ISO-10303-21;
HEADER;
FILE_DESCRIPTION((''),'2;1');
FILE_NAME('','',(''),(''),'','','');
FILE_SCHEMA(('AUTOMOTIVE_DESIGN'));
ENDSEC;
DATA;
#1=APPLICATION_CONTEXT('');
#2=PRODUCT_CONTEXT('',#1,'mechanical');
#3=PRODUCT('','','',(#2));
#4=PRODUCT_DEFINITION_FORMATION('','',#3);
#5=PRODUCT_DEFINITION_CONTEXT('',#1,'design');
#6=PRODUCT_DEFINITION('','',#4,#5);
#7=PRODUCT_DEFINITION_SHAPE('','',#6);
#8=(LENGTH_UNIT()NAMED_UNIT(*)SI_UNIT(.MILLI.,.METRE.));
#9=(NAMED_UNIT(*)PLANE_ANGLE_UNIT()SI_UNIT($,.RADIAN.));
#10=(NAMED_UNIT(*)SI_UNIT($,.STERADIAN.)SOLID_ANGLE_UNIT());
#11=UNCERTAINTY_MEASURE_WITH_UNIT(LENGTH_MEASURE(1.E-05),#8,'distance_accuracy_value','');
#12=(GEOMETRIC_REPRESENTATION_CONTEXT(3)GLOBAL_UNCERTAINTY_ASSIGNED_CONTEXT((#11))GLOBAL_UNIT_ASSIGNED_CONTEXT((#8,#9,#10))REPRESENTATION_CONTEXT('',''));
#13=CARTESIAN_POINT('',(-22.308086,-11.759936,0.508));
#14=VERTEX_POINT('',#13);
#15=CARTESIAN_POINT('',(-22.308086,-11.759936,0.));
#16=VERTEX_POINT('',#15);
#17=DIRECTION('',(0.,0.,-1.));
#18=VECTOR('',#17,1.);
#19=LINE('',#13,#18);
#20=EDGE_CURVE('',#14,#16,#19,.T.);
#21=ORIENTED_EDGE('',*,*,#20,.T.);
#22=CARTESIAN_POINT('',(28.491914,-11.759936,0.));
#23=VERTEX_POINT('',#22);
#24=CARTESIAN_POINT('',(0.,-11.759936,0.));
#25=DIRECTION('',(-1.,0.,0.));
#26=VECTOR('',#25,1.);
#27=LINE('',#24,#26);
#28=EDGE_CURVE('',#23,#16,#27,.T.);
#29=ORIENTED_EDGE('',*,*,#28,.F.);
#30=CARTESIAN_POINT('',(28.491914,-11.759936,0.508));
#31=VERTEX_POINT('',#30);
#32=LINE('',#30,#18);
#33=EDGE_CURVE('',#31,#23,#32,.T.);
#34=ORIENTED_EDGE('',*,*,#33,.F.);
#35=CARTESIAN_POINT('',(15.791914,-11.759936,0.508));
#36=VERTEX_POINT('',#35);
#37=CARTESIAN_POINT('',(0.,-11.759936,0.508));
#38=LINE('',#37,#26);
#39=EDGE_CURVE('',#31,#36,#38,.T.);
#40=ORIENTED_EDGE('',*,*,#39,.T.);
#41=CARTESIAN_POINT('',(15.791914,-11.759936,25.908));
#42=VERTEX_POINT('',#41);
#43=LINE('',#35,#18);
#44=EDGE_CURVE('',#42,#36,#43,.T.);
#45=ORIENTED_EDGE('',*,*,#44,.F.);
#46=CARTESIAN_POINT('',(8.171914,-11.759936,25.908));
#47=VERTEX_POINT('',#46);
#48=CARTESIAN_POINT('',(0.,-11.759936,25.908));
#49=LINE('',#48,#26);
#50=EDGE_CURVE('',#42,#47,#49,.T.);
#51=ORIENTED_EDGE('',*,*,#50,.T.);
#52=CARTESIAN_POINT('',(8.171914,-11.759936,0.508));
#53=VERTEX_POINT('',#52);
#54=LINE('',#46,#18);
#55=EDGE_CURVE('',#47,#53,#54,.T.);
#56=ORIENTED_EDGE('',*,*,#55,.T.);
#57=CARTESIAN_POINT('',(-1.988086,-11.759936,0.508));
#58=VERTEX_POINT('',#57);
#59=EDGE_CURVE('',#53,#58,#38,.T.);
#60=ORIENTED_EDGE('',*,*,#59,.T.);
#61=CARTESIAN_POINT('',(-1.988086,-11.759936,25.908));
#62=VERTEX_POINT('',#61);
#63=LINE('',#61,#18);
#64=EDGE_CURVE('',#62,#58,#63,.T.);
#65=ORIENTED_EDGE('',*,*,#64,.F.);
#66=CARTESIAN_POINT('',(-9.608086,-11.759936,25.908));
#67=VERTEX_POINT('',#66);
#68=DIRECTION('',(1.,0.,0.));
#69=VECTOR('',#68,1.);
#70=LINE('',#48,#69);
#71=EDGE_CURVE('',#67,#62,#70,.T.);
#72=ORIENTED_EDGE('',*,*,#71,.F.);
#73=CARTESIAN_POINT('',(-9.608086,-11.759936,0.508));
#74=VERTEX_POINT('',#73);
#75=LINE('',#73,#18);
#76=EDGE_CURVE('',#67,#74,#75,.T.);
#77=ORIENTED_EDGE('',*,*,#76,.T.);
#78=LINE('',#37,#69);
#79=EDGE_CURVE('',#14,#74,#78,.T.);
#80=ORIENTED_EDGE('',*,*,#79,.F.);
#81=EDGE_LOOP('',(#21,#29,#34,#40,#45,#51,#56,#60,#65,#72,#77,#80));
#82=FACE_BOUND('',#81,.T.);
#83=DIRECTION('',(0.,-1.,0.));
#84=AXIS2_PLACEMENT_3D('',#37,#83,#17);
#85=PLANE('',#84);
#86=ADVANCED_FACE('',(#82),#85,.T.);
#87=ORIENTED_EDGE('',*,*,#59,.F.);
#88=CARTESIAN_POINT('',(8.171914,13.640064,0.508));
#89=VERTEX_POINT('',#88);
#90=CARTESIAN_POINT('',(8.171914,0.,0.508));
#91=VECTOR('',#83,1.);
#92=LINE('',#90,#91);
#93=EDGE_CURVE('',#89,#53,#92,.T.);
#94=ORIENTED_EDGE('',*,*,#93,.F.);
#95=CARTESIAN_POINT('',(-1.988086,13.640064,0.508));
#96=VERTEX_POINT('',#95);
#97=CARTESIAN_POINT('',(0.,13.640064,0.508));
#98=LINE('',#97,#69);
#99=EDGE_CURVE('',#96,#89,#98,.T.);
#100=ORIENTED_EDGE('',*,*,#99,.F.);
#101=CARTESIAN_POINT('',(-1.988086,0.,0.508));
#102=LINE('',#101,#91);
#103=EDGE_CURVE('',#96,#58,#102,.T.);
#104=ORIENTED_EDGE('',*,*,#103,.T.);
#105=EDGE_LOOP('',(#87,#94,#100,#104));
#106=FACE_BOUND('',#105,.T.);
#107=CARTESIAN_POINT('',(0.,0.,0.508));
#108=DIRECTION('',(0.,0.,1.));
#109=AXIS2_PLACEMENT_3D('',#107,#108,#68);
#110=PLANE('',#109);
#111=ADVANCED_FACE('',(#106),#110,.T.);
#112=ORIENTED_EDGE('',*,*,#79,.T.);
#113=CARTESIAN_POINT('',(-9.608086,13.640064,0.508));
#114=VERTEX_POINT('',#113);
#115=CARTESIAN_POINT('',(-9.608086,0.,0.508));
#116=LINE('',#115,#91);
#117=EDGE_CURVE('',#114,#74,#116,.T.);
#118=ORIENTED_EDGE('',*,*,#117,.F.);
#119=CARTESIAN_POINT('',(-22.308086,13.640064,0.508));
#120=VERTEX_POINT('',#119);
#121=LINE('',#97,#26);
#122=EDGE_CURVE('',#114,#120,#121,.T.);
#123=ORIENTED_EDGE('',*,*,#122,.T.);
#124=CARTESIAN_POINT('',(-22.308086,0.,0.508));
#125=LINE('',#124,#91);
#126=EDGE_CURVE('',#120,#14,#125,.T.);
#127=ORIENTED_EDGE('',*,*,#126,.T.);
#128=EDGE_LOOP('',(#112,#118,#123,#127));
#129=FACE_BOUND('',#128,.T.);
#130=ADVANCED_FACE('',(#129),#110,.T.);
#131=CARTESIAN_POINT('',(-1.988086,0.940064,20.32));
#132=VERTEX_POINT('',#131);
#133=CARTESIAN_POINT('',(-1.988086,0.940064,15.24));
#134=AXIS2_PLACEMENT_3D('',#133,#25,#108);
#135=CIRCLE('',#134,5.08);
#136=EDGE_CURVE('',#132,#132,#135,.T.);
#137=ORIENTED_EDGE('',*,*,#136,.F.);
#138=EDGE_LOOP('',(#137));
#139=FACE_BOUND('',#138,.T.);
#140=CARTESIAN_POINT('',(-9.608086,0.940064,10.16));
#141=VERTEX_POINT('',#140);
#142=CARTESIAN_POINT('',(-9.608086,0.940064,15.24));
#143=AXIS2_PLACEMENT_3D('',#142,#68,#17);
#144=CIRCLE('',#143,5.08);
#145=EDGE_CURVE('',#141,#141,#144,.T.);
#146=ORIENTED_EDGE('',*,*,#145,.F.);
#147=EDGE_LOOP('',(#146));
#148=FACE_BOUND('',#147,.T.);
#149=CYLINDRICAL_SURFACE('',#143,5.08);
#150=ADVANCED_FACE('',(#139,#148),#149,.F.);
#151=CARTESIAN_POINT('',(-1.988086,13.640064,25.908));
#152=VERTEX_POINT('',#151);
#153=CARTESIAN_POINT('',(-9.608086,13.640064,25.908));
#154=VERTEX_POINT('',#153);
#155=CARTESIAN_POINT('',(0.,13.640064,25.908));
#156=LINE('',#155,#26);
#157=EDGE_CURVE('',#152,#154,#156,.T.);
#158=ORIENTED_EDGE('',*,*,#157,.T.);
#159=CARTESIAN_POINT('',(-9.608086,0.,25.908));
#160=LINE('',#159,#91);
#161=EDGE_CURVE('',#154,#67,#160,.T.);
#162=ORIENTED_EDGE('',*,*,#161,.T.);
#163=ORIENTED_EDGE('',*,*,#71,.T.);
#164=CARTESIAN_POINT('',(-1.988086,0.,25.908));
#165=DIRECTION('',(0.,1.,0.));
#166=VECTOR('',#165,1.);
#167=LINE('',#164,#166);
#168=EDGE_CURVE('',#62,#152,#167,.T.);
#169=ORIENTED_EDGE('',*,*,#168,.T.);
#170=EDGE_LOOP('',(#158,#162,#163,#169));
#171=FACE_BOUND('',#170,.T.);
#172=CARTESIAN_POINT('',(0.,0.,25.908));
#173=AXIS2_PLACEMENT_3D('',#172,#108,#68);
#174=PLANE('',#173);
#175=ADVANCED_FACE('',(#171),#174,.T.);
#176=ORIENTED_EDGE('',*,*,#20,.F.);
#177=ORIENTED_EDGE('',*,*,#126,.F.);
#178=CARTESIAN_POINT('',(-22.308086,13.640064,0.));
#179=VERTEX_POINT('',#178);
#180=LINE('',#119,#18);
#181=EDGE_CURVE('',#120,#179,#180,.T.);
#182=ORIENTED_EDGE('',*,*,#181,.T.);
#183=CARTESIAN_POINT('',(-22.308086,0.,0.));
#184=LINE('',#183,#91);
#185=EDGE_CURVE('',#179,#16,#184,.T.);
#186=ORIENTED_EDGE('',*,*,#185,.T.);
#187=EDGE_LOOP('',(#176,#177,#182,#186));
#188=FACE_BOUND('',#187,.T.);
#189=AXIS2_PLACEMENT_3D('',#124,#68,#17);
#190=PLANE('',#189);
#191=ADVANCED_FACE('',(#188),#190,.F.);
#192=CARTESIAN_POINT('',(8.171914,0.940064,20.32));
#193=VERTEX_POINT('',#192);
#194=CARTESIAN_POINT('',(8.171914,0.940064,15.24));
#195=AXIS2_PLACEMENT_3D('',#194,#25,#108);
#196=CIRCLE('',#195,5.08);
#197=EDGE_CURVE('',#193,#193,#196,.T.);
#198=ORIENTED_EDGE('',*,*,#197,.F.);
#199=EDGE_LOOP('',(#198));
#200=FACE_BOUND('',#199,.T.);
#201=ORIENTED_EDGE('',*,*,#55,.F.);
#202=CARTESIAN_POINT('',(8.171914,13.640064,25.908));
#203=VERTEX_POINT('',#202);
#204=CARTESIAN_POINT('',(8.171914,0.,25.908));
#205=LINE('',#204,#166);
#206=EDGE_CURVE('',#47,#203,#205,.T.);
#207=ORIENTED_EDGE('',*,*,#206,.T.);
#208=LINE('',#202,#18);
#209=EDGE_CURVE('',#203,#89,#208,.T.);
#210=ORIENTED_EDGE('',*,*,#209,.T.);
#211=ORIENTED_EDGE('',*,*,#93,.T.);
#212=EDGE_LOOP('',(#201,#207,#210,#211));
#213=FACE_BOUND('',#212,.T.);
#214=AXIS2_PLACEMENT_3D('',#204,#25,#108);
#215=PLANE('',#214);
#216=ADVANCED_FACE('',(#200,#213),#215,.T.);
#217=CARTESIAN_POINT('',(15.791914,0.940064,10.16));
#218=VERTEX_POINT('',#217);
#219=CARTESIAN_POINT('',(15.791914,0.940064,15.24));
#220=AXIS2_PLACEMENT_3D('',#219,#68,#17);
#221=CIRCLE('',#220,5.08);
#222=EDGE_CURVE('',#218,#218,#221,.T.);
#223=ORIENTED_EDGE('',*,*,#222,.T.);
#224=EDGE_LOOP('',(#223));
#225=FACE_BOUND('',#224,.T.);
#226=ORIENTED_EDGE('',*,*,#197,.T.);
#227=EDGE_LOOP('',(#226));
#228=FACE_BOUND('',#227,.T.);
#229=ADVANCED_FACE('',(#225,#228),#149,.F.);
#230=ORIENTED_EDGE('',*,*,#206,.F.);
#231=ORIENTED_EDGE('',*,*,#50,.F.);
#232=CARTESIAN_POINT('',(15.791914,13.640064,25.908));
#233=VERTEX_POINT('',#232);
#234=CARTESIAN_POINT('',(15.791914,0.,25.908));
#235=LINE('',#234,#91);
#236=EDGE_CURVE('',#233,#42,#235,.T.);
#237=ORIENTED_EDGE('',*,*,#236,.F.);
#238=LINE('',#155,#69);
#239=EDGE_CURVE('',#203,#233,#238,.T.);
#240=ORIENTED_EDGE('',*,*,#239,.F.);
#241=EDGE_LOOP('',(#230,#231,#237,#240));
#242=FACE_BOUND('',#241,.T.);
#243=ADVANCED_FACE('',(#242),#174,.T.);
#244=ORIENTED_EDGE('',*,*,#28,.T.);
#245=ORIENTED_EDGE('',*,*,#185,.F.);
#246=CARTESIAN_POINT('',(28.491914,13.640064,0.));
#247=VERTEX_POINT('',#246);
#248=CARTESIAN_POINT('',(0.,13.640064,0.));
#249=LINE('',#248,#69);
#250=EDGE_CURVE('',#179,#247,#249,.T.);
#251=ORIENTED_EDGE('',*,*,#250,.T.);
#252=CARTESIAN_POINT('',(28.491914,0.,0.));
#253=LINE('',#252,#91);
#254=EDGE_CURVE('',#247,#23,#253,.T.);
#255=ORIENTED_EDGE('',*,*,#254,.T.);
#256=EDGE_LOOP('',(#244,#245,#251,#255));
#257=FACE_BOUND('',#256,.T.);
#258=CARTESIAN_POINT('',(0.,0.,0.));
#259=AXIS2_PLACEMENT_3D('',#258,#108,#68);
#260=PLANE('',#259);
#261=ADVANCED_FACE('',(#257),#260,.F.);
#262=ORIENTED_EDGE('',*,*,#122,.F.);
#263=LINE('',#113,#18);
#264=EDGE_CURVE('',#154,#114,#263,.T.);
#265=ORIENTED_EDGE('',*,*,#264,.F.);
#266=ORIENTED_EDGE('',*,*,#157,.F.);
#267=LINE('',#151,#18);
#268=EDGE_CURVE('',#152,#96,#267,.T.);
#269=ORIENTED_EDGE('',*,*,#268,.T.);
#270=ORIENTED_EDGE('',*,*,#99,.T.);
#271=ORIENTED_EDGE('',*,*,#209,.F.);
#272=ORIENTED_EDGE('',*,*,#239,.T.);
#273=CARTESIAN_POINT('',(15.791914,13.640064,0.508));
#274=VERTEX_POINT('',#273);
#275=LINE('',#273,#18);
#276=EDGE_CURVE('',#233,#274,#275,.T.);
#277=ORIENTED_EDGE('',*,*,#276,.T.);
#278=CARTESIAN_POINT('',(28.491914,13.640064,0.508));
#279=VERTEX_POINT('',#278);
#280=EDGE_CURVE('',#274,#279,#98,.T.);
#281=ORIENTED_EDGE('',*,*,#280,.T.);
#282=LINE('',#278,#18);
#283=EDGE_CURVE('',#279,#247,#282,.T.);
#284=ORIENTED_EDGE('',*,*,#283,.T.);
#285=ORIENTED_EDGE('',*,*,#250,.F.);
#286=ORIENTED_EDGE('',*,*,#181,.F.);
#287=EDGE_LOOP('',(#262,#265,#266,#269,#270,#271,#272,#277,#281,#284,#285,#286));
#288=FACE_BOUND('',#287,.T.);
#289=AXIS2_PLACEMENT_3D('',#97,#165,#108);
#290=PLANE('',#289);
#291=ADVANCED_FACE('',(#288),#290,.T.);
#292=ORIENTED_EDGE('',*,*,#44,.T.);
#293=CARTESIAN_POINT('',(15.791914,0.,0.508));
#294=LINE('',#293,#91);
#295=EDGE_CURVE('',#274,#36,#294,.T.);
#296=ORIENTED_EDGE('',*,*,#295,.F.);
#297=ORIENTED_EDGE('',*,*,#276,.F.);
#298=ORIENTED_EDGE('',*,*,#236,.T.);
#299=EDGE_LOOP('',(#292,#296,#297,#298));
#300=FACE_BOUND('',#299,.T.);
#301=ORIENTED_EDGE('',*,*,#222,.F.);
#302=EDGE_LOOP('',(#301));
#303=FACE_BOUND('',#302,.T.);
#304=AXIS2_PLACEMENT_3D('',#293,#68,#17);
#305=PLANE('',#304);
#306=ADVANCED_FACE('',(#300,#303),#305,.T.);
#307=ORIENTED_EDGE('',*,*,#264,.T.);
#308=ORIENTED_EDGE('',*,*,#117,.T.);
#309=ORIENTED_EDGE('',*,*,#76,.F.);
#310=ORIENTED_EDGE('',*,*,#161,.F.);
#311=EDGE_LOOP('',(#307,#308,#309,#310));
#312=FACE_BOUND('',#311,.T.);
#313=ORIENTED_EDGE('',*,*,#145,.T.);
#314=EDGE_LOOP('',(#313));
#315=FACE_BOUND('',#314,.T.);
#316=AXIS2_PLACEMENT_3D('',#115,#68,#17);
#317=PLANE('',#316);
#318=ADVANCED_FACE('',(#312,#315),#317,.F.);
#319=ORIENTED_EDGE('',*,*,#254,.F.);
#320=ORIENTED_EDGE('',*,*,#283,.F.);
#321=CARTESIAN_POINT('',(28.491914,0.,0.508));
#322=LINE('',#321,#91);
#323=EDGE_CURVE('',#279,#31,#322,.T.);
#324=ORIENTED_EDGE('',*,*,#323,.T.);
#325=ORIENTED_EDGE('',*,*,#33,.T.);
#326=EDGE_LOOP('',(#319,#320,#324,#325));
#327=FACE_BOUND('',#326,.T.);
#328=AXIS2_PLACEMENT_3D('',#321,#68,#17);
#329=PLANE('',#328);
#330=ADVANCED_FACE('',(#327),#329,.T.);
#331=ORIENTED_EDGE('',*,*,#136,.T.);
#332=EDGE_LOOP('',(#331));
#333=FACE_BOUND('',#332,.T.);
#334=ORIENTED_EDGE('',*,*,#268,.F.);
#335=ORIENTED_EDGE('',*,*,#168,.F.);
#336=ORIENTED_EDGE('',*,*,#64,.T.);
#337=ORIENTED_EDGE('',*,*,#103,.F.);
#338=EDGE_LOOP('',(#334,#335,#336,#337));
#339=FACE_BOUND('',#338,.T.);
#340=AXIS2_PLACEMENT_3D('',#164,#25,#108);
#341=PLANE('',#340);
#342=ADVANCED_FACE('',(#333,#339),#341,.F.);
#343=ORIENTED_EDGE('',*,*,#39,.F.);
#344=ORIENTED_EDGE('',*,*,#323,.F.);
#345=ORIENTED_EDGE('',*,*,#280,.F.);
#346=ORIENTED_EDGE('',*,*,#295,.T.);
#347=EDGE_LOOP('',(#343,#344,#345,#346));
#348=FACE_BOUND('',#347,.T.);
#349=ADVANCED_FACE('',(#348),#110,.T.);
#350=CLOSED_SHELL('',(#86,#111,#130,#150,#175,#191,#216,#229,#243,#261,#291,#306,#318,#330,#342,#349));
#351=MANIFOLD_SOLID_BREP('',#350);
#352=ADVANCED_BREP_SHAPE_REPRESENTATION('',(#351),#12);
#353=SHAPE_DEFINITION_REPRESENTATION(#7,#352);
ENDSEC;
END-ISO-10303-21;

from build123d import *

# Parameters (mm, degrees)
SERVO_ROD_HOLDERS_W                 = 25.4
SERVO_ROD_HOLDERS_H                 = 25.4
BASE_OF_THE_HOLDERS_DEPTH           = 0.508
SERVO_ROD_HOLDERS_3_W               = 7.62
SERVO_ROD_HOLDERS_3_H               = 25.4
TWO_HOLDERS_EXTRUDE_DEPTH           = 25.908
SKETCH2_R                           = 5.08
PLACEMENT_FOR_ROD_EXTRUDE_CUT_DEPTH = 25.4
SERVO_ROD_HOLDERS_4_W               = 12.7
SERVO_ROD_HOLDERS_4_H               = 25.4
EXTENSION_FOR_SCREWS_DEPTH          = 0.508


with BuildPart() as part:
    # Servo Rod Holders → Base of the Holders (new body)
    with BuildSketch(Plane.XY):
        with Locations((3.091913881, 0.940064131)):
            Rectangle(SERVO_ROD_HOLDERS_W, SERVO_ROD_HOLDERS_H)
    extrude(amount=BASE_OF_THE_HOLDERS_DEPTH)

    # Servo Rod Holders<3> → Two Holders Extrude (add)
    with BuildSketch(Plane.XY):
        with Locations((-5.798086119, 0.940064131)):
            Rectangle(SERVO_ROD_HOLDERS_3_W, SERVO_ROD_HOLDERS_3_H)
        with Locations((11.981913881, 0.940064131)):
            Rectangle(SERVO_ROD_HOLDERS_3_W, SERVO_ROD_HOLDERS_3_H)
    extrude(amount=TWO_HOLDERS_EXTRUDE_DEPTH)

    # Sketch2 → Placement for Rod Extrude Cut (cut)
    with BuildSketch(Plane(origin=(15.791913881, 0, 0), x_dir=(0, 0, -1), z_dir=(1, 0, 0))):
        with Locations((-15.24, 0.940064131)):
            Circle(SKETCH2_R)
    extrude(amount=-PLACEMENT_FOR_ROD_EXTRUDE_CUT_DEPTH, mode=Mode.SUBTRACT)

    # Servo Rod Holders<4> → Extension for Screws (add)
    with BuildSketch(Plane.XY):
        with Locations((-15.958086119, 0.940064131)):
            Rectangle(SERVO_ROD_HOLDERS_4_W, SERVO_ROD_HOLDERS_4_H)
        with Locations((22.141913881, 0.940064131)):
            Rectangle(SERVO_ROD_HOLDERS_4_W, SERVO_ROD_HOLDERS_4_H)
    extrude(amount=EXTENSION_FOR_SCREWS_DEPTH)


solid = part.part
